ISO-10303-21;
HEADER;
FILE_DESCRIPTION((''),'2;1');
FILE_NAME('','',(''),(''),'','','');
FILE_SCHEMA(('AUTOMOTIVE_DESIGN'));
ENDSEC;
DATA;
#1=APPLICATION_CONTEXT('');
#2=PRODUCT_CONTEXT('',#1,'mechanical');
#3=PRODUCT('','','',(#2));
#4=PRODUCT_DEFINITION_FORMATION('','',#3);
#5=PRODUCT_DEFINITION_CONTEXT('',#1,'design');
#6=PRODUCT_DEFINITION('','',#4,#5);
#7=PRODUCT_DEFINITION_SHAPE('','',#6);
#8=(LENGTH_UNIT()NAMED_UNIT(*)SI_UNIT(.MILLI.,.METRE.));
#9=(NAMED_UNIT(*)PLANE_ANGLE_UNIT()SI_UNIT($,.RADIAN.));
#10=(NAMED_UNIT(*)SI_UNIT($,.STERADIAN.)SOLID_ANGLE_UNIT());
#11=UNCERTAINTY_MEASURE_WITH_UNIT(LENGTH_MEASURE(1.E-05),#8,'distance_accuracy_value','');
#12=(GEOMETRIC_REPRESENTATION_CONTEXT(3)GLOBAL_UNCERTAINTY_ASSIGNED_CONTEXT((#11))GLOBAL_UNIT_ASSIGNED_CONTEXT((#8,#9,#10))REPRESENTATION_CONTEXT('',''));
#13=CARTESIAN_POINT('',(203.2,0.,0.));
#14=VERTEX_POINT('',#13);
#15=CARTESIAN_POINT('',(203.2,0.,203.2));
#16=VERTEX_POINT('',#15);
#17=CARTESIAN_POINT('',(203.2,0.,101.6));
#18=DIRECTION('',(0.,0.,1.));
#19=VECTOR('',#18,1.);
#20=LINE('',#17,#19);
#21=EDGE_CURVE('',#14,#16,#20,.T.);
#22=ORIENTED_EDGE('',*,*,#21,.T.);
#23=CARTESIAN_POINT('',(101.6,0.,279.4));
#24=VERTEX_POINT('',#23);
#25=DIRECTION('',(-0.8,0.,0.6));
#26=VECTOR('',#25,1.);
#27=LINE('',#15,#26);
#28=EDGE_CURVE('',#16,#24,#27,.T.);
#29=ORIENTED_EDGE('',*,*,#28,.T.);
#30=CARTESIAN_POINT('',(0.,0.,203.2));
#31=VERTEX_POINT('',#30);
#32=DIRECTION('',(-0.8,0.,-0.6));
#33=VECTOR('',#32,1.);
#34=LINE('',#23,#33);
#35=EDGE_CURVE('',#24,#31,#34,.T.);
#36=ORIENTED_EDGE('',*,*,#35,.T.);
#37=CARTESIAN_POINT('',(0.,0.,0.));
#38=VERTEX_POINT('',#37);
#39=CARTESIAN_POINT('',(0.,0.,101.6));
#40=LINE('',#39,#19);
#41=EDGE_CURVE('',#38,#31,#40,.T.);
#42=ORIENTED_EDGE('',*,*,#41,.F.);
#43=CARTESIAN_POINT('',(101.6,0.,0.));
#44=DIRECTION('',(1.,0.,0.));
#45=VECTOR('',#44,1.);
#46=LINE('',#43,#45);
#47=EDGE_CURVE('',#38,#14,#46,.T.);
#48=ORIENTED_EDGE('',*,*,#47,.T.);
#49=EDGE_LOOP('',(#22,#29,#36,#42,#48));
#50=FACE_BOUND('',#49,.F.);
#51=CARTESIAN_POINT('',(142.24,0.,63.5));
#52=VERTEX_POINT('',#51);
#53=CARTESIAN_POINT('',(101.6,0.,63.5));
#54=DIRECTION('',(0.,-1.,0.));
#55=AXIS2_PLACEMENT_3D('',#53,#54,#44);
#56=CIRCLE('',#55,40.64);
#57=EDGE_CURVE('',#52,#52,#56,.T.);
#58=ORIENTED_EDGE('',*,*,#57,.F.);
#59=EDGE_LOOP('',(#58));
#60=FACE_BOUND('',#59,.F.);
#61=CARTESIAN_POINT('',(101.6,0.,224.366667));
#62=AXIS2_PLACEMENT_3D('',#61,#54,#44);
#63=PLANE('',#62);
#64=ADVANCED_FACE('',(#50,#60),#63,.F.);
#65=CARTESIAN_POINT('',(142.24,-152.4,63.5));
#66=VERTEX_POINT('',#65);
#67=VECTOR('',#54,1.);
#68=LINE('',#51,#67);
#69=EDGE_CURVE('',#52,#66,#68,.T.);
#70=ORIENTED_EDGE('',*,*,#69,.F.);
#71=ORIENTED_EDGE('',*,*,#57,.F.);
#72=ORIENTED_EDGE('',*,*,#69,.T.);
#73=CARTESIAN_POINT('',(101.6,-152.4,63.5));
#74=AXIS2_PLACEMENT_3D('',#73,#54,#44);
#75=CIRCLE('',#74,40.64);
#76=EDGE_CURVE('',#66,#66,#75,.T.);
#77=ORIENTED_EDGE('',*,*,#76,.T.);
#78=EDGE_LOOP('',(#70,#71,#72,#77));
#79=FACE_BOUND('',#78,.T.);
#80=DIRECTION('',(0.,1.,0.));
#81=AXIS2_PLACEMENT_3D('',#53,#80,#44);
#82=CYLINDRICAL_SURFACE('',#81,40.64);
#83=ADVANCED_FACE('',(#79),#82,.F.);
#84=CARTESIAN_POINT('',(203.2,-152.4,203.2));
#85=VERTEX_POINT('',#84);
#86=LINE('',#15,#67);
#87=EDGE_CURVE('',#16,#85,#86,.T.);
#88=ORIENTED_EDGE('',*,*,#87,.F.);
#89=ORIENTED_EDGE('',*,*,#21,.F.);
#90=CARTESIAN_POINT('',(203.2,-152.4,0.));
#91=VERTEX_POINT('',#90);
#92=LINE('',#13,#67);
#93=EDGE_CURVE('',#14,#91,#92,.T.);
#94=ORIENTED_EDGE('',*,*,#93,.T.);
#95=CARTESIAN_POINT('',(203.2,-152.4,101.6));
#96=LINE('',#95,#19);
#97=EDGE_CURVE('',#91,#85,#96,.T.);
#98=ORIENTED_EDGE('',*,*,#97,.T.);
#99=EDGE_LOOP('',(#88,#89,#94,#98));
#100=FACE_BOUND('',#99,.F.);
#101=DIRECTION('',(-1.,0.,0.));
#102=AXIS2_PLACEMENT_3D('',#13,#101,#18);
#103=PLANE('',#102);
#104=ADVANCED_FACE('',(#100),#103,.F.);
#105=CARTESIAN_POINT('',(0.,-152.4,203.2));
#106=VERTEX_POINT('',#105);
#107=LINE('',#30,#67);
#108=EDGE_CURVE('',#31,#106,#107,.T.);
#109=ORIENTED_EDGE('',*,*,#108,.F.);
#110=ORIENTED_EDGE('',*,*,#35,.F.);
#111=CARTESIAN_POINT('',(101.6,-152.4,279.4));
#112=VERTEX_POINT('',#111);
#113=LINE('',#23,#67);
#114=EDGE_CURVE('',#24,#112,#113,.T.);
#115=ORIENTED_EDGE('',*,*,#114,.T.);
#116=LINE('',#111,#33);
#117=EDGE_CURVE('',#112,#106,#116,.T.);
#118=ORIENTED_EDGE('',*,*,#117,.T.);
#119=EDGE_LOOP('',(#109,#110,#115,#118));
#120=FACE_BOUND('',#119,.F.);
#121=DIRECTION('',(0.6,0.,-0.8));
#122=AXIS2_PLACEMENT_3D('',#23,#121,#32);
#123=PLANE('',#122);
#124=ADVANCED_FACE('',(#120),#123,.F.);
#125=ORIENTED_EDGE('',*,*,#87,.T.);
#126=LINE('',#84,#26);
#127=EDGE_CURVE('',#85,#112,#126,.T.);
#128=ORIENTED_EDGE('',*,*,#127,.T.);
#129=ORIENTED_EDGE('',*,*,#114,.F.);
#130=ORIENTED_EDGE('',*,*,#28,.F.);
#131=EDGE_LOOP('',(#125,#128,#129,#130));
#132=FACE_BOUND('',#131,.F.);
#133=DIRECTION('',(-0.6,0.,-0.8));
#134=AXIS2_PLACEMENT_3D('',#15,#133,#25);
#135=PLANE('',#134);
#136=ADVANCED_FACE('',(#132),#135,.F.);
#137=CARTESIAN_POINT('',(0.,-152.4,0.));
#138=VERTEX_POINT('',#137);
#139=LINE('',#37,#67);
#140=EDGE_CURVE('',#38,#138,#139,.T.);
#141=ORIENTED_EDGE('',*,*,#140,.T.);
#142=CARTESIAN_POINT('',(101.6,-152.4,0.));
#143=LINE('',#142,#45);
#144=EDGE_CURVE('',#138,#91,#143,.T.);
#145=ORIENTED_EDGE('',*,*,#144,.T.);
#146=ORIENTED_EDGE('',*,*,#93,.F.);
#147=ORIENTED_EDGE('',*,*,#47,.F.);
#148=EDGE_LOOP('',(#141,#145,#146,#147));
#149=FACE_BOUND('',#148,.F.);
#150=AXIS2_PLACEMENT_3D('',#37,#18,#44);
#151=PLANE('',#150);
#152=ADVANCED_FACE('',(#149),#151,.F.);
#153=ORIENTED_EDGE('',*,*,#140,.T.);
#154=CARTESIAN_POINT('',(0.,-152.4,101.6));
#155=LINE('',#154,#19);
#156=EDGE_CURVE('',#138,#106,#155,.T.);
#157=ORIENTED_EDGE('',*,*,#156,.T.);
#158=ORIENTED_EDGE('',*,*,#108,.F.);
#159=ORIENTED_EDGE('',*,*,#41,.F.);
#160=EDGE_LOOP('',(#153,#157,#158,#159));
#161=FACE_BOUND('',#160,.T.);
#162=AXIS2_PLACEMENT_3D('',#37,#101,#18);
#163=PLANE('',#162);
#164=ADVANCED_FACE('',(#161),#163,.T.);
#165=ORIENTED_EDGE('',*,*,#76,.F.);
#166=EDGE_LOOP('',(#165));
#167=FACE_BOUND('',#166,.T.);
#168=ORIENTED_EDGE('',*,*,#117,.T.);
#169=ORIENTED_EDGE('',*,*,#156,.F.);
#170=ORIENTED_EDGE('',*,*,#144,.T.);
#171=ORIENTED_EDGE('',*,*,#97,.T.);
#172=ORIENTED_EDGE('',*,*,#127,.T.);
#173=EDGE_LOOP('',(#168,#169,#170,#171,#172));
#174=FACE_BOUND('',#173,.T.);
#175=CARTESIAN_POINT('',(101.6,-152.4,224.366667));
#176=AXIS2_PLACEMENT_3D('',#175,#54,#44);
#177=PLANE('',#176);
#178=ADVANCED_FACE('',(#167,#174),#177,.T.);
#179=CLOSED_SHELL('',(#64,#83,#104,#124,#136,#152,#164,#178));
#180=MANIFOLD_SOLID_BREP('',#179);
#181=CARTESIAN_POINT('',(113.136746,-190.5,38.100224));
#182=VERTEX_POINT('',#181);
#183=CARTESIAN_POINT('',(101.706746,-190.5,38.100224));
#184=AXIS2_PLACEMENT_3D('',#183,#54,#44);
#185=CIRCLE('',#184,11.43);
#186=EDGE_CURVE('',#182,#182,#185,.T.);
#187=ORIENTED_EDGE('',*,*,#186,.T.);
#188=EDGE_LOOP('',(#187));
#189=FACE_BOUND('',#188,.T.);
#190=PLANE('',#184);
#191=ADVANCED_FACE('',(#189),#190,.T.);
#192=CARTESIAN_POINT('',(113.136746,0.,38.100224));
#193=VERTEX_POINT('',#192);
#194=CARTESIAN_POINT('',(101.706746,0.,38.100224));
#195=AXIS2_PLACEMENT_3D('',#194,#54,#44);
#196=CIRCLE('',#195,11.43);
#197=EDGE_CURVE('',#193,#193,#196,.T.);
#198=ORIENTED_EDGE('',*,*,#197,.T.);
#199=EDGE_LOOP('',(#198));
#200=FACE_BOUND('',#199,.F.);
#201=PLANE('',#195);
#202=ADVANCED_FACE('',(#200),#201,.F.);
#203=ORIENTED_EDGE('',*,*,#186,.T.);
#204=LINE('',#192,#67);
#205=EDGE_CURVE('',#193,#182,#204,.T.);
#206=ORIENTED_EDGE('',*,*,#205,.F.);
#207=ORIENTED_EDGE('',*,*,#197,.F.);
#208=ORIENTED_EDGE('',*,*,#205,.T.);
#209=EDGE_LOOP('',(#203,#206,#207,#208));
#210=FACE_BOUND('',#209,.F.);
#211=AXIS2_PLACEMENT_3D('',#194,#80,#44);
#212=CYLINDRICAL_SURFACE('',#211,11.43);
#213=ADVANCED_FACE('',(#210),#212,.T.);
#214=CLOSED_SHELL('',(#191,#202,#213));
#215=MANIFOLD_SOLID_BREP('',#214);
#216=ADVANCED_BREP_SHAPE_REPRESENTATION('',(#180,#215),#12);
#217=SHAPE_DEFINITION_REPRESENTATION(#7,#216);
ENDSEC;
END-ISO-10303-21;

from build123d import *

# Parameters (mm, degrees)
F0_W     = 203.2
F0_H     = 203.2
F0_R     = 40.64
F2_DEPTH = 152.4
F1_R     = 11.43
F3_DEPTH = 190.5


with BuildPart() as f2:
    # F0 (on Front) → F2 (new body)
    with BuildSketch(Plane.XZ):
        Polygon((101.6, 279.4), (0, 203.2), (203.2, 203.2), align=None)
        with Locations((101.6, 101.6)):
            Rectangle(F0_W, F0_H)
        with Locations((101.6, 63.5)):
            Circle(F0_R, mode=Mode.SUBTRACT)
    extrude(amount=F2_DEPTH)


with BuildPart() as f3:
    # F1 (on face) → F3 (new body)
    with BuildSketch(Plane.XZ):
        with Locations((101.706746, 38.100224)):
            Circle(F1_R)
    extrude(amount=F3_DEPTH)


solid = Compound([f2.part, f3.part])
